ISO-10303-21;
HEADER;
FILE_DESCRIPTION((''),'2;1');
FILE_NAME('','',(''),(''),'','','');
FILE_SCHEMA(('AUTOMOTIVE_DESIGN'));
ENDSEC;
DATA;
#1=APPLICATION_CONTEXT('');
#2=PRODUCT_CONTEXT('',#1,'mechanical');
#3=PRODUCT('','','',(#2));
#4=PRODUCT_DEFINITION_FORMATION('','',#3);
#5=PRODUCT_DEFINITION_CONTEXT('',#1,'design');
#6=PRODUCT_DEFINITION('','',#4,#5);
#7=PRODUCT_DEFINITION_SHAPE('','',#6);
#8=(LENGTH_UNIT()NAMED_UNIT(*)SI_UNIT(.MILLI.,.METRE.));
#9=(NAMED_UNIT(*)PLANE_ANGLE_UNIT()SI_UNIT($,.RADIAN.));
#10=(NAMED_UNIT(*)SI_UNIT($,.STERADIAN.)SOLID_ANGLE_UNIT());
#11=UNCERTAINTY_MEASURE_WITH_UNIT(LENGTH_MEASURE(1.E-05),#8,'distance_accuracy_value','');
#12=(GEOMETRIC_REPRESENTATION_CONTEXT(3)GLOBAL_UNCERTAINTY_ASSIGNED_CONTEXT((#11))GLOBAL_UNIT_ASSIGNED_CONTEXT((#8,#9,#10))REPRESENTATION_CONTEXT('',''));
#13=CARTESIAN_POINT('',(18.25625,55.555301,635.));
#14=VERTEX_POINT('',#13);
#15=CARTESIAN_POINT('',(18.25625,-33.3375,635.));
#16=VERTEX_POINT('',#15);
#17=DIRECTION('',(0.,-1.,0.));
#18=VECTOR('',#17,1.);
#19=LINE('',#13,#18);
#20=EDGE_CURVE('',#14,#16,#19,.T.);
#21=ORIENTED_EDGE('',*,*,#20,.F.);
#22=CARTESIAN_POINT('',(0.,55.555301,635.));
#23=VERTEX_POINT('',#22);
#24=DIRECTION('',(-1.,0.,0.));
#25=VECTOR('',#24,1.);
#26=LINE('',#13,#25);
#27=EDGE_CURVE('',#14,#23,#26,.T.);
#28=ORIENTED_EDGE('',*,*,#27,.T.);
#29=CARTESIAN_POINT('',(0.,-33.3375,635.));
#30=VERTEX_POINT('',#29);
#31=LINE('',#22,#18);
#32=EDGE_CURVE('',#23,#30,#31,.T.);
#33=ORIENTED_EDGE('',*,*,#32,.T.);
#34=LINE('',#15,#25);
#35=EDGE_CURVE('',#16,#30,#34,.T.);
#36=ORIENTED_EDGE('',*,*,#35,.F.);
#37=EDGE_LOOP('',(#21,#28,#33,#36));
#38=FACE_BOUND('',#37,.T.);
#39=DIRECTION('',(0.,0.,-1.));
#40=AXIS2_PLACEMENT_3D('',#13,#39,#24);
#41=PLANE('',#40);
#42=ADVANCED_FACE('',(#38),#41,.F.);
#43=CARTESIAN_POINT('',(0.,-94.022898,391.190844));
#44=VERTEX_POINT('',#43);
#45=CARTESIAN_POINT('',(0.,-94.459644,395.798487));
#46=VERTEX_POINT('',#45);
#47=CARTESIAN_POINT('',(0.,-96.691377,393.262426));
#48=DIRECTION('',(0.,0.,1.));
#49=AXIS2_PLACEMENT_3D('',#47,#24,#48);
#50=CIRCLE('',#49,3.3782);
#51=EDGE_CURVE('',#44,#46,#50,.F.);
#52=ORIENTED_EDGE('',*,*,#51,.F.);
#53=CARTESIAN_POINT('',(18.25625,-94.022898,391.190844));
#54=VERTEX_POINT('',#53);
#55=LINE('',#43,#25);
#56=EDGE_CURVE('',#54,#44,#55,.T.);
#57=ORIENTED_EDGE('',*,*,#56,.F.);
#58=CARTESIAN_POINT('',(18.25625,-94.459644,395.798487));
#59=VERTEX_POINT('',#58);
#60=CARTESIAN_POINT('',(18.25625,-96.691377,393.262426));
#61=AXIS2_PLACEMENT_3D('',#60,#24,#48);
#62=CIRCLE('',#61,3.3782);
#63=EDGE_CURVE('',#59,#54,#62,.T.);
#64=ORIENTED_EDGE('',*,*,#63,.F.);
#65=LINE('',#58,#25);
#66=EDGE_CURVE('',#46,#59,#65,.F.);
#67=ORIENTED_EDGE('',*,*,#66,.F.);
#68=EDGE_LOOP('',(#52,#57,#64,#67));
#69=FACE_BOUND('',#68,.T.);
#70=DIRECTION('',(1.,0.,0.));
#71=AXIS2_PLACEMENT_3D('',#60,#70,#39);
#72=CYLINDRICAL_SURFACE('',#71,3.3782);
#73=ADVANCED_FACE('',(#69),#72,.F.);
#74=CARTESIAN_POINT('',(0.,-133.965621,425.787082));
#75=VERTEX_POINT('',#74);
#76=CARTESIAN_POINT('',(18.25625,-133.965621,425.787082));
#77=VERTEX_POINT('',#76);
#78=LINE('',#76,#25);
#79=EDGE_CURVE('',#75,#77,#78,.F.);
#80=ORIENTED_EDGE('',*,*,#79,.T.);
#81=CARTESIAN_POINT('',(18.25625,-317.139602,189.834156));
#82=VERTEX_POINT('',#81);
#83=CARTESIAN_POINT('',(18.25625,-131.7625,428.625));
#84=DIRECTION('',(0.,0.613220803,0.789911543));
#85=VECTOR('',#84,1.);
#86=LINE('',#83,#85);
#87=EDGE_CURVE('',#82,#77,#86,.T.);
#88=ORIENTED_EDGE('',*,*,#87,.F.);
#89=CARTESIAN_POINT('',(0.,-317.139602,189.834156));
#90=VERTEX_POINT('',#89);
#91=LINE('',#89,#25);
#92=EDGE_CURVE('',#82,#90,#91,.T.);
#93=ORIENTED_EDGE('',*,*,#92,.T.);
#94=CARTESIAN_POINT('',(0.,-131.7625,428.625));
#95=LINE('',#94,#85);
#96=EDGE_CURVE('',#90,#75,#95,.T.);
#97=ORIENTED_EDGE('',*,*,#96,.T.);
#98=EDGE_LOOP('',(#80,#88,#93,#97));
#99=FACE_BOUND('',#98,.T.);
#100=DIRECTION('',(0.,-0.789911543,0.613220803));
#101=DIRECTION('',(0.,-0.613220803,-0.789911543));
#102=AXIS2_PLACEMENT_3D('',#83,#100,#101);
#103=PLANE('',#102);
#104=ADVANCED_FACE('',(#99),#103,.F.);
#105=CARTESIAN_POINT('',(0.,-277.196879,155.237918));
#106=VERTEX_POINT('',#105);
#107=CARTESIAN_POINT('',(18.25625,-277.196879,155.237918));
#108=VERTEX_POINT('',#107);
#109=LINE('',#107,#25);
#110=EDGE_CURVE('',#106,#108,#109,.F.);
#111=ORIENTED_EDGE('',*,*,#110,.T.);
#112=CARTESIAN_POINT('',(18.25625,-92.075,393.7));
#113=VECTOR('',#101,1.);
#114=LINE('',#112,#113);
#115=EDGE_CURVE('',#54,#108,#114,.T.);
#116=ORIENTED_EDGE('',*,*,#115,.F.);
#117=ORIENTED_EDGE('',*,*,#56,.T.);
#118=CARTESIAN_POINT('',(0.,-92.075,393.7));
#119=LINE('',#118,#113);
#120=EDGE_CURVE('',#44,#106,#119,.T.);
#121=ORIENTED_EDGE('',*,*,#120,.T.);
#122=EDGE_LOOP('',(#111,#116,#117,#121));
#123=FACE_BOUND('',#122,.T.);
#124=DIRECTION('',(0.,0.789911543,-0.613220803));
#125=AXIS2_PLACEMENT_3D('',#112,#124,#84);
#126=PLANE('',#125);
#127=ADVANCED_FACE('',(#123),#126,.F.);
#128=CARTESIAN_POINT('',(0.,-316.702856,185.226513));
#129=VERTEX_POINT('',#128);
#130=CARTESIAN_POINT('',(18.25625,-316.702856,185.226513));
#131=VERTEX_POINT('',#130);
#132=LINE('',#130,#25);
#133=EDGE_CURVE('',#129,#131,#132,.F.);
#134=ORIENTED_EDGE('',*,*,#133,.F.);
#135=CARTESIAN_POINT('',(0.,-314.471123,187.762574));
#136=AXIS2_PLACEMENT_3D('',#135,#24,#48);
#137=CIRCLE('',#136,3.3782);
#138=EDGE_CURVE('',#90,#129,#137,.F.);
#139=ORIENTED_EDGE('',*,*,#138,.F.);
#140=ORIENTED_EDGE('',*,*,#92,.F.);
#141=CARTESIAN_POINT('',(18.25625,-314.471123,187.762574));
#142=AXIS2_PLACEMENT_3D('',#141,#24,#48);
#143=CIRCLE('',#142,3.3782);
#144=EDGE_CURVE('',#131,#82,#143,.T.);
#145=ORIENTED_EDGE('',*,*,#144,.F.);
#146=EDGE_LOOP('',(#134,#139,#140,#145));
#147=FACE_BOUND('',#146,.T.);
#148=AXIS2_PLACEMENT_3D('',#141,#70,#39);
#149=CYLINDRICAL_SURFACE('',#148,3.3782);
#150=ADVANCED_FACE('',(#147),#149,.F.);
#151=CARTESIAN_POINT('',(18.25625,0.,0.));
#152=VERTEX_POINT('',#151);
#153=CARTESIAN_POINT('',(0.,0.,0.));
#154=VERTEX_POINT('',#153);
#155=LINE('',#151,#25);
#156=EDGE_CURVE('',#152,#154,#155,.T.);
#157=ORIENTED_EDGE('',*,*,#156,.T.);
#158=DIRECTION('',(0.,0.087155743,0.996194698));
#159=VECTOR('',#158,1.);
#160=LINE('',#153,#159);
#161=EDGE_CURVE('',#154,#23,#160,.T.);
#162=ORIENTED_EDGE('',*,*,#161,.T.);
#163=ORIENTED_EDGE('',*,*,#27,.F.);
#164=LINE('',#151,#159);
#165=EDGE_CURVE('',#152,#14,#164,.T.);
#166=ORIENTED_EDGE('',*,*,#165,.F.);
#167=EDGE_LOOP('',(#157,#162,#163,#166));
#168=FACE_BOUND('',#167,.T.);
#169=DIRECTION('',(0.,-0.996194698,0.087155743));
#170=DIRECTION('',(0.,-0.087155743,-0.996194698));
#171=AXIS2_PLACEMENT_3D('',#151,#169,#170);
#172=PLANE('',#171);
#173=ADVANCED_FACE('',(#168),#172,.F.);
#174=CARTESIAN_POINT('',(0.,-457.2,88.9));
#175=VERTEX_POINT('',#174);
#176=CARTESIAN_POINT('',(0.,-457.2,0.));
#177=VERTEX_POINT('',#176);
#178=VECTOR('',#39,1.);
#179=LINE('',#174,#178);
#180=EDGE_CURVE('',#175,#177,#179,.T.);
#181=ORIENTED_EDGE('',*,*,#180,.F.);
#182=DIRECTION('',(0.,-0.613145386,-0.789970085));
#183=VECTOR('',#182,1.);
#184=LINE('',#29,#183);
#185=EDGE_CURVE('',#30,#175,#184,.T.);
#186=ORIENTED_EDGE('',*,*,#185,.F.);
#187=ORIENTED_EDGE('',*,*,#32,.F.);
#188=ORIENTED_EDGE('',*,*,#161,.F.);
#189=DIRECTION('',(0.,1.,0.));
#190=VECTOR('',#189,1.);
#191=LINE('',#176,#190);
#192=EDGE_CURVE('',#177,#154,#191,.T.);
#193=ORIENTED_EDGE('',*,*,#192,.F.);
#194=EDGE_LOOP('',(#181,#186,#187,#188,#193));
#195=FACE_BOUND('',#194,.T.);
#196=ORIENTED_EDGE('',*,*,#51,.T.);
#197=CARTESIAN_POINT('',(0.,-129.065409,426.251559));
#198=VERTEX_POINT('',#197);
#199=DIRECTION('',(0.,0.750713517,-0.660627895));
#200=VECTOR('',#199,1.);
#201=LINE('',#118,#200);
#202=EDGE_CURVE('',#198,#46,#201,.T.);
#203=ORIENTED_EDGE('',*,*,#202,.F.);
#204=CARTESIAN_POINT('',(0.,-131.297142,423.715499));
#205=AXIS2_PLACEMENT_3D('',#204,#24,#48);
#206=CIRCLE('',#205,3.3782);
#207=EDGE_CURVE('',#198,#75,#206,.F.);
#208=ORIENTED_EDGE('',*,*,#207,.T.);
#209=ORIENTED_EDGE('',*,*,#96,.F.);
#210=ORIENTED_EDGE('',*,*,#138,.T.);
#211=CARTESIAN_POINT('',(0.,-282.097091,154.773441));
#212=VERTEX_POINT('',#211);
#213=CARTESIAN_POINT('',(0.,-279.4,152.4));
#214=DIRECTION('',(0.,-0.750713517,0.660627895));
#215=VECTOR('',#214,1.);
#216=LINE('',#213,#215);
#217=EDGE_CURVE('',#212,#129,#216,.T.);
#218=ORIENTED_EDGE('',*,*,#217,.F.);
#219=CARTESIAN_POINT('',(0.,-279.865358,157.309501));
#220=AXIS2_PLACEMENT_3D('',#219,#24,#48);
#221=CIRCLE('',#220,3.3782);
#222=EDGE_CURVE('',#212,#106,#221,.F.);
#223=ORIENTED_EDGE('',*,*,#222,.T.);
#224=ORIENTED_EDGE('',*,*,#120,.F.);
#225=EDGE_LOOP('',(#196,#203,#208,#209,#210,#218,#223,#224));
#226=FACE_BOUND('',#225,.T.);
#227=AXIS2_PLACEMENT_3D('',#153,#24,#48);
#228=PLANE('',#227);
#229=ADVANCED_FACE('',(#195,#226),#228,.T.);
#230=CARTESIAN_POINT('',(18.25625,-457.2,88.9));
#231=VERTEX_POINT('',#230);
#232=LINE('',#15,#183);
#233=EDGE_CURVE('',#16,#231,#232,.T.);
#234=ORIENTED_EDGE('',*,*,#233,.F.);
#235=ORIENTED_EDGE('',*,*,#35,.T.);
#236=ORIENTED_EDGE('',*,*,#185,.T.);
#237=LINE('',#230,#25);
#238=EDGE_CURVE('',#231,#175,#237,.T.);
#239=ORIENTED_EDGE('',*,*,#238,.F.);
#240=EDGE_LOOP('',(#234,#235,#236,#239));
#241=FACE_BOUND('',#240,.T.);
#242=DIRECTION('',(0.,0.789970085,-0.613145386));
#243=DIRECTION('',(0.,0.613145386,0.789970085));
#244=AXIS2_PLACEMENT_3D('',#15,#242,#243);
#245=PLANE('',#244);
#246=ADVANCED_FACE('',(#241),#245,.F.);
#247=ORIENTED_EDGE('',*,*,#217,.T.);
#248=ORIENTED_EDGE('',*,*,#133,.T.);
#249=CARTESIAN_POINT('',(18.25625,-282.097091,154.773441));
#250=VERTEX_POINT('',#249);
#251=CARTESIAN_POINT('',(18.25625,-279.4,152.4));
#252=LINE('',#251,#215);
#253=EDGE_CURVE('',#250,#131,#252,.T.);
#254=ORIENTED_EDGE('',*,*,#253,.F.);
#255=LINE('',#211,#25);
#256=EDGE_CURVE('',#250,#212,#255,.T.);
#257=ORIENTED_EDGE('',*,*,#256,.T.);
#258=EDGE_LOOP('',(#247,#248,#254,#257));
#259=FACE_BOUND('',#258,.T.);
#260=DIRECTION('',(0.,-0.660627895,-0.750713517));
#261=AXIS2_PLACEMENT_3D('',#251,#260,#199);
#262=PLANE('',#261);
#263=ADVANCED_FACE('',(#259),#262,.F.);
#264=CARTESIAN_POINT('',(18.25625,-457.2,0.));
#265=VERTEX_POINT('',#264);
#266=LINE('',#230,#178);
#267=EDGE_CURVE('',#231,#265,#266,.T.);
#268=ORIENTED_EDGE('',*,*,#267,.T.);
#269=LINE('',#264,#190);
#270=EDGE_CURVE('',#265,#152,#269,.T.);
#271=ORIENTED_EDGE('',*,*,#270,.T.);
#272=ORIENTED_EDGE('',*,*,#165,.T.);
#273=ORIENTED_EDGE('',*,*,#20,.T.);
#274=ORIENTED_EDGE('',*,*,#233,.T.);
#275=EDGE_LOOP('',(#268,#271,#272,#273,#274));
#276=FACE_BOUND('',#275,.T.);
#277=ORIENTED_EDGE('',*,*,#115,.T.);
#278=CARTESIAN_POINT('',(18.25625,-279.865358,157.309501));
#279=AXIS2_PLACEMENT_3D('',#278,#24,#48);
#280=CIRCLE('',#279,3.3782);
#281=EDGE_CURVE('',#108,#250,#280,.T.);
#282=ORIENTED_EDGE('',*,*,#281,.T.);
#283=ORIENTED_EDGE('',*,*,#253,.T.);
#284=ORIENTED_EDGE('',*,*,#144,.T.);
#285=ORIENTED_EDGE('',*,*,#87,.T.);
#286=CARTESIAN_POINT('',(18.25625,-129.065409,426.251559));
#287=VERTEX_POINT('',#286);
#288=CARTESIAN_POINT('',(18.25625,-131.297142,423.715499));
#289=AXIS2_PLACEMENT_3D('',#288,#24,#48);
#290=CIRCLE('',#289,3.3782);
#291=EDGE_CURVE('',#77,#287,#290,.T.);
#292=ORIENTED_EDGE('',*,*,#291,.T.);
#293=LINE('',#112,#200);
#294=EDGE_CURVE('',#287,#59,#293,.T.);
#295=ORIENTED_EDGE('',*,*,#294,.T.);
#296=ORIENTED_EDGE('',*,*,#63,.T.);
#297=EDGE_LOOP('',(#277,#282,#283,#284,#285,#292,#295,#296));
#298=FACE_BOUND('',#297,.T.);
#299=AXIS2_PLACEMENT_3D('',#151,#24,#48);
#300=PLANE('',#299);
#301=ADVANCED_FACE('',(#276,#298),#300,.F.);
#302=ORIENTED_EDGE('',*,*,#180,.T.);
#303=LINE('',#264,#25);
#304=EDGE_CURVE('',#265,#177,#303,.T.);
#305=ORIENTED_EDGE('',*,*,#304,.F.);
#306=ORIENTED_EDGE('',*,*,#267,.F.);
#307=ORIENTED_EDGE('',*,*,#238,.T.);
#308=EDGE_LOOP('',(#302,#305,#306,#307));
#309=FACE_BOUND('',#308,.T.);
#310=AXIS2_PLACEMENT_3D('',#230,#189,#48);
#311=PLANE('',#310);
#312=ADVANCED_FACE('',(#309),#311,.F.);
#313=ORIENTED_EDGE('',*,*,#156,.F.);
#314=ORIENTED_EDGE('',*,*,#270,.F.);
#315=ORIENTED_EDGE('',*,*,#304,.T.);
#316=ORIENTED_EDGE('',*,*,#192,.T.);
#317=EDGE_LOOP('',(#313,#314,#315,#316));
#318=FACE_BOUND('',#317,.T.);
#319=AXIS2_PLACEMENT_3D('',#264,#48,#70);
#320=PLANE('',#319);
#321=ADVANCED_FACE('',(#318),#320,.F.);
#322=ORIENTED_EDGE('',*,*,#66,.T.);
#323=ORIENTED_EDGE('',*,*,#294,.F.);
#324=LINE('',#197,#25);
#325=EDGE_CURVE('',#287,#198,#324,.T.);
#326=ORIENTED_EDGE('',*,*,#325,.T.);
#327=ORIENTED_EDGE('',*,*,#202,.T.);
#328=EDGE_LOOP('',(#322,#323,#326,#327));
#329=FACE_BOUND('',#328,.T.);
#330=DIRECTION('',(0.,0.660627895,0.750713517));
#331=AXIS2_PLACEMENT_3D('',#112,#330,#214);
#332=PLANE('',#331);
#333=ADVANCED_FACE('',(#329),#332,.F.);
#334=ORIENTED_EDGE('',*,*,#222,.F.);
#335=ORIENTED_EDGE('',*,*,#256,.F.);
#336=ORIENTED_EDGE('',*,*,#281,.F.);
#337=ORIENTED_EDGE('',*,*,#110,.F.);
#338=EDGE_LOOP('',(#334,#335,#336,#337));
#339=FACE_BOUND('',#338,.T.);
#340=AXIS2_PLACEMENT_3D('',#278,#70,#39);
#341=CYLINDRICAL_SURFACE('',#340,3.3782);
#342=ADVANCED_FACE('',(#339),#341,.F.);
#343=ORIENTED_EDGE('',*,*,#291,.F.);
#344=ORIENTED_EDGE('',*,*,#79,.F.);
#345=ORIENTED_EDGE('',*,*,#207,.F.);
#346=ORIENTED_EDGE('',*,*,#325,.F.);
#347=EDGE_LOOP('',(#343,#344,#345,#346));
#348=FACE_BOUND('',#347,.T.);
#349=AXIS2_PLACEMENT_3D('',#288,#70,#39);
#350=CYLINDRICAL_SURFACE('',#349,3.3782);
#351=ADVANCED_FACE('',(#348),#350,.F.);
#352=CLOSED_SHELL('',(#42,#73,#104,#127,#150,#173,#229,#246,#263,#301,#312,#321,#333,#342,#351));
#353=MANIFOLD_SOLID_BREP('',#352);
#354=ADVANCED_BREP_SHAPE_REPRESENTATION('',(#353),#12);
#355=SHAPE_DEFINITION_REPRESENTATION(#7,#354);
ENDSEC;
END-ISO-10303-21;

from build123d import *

# Parameters (mm, degrees)
BOSS_EXTRUDE1_DEPTH = 18.25625
CUT_EXTRUDE1_DEPTH  = 783.681372376
FILLET1_R           = 3.3782


with BuildPart() as part:
    # Sketch1 → Boss-Extrude1 (new body)
    with BuildSketch(Plane(origin=(0, 0, 0), x_dir=(0, 0, -1), z_dir=(1, 0, 0))):
        Polygon((0, 0), (-635, 55.555301339), (-635, -33.3375), (-88.9, -457.2), (0, -457.2), align=None)
    extrude(amount=BOSS_EXTRUDE1_DEPTH)

    # Sketch3 → Cut-Extrude1 (cut, through all)
    with BuildSketch(Plane.ZY):
        Polygon((428.625, -131.7625), (187.325, -319.0875), (152.4, -279.4), (393.7, -92.075), align=None)
    extrude(amount=-CUT_EXTRUDE1_DEPTH, mode=Mode.SUBTRACT)

    # Fillet1
    fillet1_edges = [part.edges().sort_by_distance(p)[0] for p in [
        (9.128125, -319.0875, 187.325),
        (9.128125, -279.4, 152.4),
        (9.128125, -92.075, 393.7),
        (9.128125, -131.7625, 428.625),
    ]]
    fillet(fillet1_edges, radius=FILLET1_R)


solid = part.part
